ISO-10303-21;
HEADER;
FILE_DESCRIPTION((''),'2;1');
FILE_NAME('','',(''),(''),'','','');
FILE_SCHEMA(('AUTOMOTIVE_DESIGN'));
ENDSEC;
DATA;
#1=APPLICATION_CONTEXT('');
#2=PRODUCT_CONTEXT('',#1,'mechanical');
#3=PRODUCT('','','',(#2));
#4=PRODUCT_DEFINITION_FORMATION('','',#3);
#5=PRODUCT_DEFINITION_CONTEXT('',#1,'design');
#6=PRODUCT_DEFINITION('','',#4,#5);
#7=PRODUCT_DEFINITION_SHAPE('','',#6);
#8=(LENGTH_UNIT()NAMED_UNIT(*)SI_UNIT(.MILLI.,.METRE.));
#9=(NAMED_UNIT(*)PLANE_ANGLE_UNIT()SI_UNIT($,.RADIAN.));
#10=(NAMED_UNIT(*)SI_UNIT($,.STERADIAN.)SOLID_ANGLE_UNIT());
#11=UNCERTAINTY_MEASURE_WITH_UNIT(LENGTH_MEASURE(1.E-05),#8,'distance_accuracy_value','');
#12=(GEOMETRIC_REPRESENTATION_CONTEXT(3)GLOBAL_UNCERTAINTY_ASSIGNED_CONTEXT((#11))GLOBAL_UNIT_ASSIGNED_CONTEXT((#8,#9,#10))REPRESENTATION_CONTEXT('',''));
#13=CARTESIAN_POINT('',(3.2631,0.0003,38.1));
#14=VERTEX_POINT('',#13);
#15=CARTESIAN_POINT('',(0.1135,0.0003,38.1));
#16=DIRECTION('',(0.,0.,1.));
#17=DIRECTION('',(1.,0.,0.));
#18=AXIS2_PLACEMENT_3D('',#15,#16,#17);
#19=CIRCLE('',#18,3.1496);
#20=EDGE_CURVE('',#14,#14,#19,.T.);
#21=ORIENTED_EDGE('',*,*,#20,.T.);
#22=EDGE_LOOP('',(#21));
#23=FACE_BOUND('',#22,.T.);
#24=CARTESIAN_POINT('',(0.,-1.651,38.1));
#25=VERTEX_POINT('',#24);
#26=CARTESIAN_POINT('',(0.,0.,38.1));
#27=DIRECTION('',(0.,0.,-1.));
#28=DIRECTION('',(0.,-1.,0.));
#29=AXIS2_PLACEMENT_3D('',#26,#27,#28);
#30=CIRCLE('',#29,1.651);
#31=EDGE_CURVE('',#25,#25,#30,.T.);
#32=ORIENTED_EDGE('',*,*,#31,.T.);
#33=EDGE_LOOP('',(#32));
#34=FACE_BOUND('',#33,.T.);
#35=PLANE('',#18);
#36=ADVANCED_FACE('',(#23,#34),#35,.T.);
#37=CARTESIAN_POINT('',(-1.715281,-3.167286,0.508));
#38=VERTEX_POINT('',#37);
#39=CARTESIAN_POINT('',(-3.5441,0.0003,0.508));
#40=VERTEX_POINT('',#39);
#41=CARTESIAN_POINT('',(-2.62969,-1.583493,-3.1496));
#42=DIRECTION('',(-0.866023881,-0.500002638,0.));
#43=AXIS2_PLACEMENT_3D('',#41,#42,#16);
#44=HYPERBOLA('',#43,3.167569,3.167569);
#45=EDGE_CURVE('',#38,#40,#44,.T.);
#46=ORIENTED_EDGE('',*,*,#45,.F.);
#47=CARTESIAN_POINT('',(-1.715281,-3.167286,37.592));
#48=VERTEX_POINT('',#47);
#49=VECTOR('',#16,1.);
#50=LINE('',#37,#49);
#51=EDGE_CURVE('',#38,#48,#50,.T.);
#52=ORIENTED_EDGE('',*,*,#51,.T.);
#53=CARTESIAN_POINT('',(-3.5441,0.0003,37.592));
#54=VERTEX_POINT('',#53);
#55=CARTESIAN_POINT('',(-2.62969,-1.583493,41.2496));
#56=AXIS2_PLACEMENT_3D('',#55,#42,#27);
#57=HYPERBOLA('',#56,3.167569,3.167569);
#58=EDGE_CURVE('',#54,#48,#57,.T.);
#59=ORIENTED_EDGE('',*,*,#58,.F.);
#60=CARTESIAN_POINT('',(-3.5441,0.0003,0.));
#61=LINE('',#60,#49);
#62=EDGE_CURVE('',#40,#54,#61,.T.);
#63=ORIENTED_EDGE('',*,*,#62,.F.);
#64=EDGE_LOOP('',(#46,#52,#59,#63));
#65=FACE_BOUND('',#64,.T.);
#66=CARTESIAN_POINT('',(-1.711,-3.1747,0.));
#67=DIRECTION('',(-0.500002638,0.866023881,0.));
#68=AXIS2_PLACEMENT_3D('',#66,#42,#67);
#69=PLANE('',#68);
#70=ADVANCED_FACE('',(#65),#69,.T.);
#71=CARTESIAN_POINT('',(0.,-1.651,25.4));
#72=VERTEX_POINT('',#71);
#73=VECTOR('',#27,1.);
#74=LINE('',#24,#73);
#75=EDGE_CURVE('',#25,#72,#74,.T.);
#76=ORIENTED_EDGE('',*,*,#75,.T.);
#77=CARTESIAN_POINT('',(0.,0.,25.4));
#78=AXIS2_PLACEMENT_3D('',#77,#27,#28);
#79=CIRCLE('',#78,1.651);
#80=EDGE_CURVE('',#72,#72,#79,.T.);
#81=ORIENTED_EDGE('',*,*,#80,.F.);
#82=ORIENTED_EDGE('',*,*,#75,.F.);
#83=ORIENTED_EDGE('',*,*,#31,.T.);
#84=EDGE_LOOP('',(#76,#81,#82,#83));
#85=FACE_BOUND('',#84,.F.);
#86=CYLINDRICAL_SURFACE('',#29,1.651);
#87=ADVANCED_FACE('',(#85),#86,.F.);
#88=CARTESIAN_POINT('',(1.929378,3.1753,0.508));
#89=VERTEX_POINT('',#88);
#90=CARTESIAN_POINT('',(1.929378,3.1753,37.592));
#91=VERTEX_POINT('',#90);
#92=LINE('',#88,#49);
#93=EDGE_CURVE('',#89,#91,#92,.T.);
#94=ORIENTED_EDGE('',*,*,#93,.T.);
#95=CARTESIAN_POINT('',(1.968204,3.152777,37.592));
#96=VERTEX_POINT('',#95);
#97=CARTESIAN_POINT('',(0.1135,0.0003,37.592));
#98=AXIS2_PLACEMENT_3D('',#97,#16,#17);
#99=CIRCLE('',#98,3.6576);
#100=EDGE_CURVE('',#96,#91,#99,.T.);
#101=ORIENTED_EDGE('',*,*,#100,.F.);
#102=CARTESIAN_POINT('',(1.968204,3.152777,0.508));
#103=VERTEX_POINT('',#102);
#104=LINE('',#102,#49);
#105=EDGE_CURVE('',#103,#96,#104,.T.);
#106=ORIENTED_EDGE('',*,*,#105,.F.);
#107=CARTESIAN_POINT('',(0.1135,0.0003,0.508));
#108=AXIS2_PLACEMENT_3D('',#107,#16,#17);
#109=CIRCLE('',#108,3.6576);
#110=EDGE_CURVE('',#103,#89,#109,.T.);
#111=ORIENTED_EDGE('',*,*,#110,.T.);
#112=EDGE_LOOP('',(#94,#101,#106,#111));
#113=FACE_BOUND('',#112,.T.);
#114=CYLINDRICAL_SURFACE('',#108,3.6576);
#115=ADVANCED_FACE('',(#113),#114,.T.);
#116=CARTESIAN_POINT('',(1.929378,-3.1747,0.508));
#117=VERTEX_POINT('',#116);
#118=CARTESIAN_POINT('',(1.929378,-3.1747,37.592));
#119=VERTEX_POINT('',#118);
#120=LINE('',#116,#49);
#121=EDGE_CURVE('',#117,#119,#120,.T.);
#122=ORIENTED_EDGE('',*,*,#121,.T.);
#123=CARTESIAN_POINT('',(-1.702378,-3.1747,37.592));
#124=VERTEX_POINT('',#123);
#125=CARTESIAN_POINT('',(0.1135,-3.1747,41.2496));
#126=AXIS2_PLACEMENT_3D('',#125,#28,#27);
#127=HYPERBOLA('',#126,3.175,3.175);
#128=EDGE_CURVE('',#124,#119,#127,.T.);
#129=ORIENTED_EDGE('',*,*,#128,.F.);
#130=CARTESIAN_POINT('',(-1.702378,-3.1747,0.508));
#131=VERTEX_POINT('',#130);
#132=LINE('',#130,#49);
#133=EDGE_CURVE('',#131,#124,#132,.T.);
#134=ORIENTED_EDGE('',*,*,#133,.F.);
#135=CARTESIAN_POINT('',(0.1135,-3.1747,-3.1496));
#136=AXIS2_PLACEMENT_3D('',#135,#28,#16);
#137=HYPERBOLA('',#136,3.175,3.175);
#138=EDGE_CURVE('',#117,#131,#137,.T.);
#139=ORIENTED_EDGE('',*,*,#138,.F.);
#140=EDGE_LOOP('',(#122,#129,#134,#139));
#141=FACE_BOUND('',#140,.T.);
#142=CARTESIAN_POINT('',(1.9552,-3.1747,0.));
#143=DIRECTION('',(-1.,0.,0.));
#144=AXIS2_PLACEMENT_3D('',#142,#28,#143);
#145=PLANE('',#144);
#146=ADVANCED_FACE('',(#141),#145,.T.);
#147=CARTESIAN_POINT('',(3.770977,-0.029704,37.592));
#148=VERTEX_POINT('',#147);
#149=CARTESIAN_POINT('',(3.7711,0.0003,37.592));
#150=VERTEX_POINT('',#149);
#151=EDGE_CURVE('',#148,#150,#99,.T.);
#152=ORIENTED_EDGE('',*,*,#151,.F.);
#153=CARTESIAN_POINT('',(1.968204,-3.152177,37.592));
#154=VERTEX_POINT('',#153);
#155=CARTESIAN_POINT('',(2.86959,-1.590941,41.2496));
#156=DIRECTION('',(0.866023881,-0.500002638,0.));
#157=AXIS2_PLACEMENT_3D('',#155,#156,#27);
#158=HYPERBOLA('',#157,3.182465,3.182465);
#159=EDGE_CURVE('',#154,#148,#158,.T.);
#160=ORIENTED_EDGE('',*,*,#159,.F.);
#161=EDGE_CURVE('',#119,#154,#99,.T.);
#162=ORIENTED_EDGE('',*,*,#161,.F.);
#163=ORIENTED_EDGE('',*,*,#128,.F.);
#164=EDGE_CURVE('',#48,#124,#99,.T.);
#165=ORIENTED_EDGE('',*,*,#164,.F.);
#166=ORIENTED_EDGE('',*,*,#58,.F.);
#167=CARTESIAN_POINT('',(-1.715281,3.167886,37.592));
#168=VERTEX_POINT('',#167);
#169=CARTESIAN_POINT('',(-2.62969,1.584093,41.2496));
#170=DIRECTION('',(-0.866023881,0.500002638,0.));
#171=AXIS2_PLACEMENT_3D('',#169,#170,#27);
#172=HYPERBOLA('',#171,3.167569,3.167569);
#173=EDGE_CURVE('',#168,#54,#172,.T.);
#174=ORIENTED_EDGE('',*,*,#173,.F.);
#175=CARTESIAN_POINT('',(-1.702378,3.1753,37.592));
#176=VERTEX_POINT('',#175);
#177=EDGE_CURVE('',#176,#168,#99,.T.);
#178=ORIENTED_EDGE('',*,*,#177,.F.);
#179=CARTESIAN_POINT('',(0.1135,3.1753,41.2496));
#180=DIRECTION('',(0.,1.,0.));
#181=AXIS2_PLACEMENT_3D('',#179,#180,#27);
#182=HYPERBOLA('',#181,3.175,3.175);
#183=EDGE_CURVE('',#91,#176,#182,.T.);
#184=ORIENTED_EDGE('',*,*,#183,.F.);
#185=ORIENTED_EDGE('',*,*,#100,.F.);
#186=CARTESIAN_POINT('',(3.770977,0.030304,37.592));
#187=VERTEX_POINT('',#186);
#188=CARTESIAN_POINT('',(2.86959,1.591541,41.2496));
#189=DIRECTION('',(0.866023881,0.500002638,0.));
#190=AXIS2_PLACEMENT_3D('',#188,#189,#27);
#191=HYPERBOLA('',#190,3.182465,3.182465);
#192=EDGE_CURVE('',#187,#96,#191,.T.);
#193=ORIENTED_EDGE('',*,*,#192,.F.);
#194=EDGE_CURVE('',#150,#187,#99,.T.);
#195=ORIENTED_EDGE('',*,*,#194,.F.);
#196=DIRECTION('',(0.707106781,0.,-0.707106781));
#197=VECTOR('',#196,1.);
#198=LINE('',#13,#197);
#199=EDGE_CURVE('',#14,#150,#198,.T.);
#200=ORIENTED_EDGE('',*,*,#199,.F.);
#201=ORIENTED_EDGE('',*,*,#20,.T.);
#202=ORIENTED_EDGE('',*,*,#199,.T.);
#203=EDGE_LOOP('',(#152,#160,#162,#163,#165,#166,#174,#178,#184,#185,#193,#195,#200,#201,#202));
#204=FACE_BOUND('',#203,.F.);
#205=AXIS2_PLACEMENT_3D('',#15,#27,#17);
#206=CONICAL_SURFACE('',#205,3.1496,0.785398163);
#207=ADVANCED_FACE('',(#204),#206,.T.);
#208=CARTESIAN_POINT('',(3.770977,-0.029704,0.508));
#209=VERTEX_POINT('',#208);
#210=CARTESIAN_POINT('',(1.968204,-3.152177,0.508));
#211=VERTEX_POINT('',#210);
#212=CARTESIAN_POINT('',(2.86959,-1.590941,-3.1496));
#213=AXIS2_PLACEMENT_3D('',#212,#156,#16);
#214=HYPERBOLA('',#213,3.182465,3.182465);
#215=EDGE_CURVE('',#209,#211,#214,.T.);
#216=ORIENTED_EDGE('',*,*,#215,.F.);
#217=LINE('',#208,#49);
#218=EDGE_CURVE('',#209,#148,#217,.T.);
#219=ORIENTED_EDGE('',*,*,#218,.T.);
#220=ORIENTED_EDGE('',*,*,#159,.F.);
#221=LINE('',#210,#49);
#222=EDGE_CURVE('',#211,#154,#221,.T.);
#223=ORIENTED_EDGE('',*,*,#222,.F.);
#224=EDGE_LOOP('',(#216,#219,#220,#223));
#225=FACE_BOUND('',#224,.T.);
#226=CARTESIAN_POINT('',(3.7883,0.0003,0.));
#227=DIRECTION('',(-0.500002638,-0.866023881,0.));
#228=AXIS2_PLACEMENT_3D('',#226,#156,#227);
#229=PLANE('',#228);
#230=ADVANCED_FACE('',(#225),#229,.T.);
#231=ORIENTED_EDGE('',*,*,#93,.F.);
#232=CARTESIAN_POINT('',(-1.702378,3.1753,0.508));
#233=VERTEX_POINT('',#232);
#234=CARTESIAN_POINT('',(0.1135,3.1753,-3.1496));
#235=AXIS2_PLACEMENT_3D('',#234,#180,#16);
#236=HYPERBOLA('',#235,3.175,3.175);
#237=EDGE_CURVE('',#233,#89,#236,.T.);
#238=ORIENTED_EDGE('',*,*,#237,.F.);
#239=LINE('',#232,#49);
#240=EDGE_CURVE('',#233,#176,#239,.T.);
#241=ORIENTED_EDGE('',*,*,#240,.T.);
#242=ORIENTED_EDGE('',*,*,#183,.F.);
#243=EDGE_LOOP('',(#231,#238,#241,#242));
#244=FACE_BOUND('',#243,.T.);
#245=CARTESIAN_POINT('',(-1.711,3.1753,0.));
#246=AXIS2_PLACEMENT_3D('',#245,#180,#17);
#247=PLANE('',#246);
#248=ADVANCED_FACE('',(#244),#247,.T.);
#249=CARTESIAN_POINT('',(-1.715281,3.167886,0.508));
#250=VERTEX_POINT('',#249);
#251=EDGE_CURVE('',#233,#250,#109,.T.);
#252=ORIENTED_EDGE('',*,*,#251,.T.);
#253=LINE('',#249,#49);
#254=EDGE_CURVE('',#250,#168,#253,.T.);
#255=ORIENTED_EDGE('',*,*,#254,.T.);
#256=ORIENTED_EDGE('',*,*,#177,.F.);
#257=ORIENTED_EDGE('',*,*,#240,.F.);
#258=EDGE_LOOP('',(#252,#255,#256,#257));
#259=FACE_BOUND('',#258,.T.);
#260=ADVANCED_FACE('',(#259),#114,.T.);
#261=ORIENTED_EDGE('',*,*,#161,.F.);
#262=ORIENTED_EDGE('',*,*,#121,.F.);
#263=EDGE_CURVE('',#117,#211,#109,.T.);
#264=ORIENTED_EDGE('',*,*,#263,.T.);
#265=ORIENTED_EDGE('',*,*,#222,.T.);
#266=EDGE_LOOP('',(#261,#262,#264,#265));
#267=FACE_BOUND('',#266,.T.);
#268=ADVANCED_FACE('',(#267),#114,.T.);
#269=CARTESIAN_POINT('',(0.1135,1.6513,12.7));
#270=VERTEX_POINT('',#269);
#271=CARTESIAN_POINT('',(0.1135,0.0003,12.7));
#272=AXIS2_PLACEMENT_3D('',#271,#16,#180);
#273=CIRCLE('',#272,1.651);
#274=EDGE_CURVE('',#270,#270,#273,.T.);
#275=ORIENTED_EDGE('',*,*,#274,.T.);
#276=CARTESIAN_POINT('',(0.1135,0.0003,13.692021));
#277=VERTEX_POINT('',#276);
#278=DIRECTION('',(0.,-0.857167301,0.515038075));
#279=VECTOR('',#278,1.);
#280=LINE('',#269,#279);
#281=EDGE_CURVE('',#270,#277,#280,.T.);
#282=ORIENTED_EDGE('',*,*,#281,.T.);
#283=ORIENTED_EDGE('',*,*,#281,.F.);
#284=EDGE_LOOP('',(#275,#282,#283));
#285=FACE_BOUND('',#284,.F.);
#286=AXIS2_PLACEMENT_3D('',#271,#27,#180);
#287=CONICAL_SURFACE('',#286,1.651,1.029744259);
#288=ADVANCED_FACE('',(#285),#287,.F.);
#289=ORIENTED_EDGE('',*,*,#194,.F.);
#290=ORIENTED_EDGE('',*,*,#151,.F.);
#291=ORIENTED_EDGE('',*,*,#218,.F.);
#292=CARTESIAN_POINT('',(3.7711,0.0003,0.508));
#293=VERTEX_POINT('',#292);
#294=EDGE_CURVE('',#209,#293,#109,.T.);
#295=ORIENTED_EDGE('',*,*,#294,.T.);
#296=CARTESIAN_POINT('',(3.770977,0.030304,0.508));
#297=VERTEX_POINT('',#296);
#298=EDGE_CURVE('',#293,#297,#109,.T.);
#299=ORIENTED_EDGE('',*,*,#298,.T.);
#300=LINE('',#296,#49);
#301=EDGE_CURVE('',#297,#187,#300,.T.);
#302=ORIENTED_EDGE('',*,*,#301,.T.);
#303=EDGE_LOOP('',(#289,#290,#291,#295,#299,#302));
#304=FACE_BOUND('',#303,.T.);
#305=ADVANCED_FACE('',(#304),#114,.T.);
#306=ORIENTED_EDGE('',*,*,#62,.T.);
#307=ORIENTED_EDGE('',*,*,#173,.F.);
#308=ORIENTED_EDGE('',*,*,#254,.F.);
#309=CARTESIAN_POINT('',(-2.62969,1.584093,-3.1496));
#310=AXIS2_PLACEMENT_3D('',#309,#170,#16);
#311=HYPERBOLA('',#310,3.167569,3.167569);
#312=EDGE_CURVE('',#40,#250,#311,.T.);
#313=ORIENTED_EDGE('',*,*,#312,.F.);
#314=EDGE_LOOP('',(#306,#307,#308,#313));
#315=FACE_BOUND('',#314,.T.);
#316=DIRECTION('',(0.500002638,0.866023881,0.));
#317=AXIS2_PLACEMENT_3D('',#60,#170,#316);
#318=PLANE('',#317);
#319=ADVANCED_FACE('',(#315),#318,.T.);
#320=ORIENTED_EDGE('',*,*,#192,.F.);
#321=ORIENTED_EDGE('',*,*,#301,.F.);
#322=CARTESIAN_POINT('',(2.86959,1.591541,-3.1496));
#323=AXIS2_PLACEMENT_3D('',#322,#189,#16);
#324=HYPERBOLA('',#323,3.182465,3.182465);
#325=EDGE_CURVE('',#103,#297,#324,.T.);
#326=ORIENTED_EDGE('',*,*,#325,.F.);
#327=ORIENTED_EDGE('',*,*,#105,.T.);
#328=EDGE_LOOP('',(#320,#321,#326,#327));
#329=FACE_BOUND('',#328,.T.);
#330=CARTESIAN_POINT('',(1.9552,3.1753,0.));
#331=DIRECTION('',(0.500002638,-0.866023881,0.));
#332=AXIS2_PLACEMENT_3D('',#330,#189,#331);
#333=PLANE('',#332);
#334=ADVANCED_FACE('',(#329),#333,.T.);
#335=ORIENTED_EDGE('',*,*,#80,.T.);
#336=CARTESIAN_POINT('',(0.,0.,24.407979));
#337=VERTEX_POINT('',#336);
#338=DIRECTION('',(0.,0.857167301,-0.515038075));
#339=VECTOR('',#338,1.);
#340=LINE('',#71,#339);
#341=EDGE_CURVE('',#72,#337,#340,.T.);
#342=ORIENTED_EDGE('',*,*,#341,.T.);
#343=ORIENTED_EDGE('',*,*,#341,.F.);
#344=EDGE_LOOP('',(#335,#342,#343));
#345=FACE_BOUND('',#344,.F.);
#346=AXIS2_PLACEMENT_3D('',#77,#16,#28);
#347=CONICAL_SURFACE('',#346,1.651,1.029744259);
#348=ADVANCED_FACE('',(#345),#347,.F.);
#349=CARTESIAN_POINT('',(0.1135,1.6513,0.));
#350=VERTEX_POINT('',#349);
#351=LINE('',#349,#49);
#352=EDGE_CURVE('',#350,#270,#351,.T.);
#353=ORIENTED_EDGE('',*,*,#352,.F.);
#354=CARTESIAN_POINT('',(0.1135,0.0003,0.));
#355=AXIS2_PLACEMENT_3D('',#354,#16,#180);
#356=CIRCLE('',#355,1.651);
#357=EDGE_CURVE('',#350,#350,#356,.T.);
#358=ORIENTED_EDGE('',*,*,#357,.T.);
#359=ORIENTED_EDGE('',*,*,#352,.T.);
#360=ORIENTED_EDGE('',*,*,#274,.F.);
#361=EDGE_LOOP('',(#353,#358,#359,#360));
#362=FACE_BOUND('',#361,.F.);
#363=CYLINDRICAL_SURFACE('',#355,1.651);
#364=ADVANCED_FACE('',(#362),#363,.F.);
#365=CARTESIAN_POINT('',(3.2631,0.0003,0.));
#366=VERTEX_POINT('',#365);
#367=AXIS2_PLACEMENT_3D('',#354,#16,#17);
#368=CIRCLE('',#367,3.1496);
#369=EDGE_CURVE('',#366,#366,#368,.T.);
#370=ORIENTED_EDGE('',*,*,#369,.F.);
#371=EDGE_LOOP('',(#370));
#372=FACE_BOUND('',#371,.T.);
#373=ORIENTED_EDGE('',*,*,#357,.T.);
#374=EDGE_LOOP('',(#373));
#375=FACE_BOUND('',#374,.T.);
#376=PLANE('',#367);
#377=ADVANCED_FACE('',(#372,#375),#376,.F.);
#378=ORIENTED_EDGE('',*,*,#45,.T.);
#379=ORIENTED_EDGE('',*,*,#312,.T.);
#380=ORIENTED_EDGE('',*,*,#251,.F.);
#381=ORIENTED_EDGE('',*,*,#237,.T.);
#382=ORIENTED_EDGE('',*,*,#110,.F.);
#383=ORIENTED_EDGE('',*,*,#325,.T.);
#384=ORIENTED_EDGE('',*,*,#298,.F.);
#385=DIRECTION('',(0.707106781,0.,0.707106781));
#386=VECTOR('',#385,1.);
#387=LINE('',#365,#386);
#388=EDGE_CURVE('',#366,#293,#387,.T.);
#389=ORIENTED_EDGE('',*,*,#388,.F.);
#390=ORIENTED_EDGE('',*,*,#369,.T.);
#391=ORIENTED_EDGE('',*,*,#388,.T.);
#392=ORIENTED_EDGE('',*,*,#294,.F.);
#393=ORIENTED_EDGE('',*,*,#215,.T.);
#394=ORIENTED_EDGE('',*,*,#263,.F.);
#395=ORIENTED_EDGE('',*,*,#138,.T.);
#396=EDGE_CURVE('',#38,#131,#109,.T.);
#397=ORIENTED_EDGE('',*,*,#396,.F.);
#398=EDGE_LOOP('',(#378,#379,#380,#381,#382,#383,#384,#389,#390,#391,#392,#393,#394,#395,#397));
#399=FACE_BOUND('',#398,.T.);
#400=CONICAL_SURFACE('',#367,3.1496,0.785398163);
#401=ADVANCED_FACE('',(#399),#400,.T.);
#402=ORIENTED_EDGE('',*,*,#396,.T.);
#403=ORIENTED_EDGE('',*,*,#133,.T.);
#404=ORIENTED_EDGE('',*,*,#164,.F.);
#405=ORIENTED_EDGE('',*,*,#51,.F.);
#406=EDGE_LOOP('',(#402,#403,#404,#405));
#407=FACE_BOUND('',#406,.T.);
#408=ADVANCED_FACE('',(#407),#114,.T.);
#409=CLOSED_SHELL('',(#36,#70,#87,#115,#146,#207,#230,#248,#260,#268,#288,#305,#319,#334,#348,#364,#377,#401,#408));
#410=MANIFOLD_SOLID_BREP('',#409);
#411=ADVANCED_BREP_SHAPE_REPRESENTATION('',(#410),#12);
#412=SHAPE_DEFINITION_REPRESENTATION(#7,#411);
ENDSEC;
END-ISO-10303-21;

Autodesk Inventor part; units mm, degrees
ref_plane "YZ Plane" through (0, 0, 0) normal (1, 0, 0) x (0, 1, 0)
sketch "Sketch1" plane through (0, 0, 0) normal (0, 0, 1) x (1, 0, 0)
  line L0 (1.9552, -3.1747) -> (-1.711, -3.1747)
  line L1 (-1.711, -3.1747) -> (-3.5441, 0.0003)
  line L2 (-3.5441, 0.0003) -> (-1.711, 3.1753)
  line L3 (-1.711, 3.1753) -> (1.9552, 3.1753)
  line L4 (1.9552, 3.1753) -> (3.7883, 0.0003)
  line L5 (3.7883, 0.0003) -> (1.9552, -3.1747)
  point P0 (0.1221, 0.0003)
  dimension "d0" = 6.35
extrude "Extrusion1" add sketch "Sketch1" along normal blind 38.1
ref_plane "Work Plane1" through (-1.711, 0.0003, 0) normal (0, 1, 0) x (1, 0, 0)
sketch "Sketch3" plane through (-1.711, 0.0003, 0) normal (0, 1, 0) x (1, 0, 0)
  line L0 (-1.3251, 0) -> (4.9741, 0)
  line L1 (5.4821, -0.508) -> (5.4821, -37.592)
  line L2 (-1.8331, -37.592) -> (-1.8331, -0.508)
  line L3 (-1.8331, -0.508) -> (-1.3251, 0)
  line L4 (4.9741, 0) -> (5.4821, -0.508)
  line L5 (-1.8331, 0) -> (-1.8331, -38.1) projected
  line L6 (3.6662, 0) -> (5.4993, 0) projected
  line L7 (1.8245, 0) -> (1.8245, -38.1)
  line L8 (0, -38.1) -> (-1.8331, -38.1) projected
  line L9 (5.4993, -38.1) -> (3.6662, -38.1) projected
  line L10 (3.6662, -38.1) -> (0, -38.1) projected
  line L11 (-1.3251, -38.1) -> (-1.8331, -37.592)
  line L12 (4.9741, -38.1) -> (5.4821, -37.592)
  point P0 (-1.8331, 0)
  point P1 (5.4821, 0)
  point P2 (5.4821, -38.1)
  dimension "d5" = 0.508
  dimension "d6" = 0.508
  dimension "d7" = 0.508
  dimension "d8" = 0.508
  dimension "d16" = 0
  dimension "d46" = 0.508
  dimension "d47" = 0.508
  dimension "d48" = 0.508
  dimension "d49" = 0.508
revolve "Revolution1" cut sketch "Sketch3" angle 360 about axis through (0.1135, 0.0003, 0) along (0, 0, 1) keep common part contours L0 L4 L1 L12 L9 L10 L7
sketch "Sketch6" plane through (0.1135, 0.0003, 0) normal (0, 0, -1) x (-1, 0, 0)
  circle A0 centre (0, 0) radius 3.1496 projected
hole "Hole3" at (0.1135, 0.0003, 0) direction (0, 0, 1) diameter 3.302 depth 12.7 tip angle 118 thread size "8-32 UNC" class "2B" standard "ANSI Unified Screw Threads"
sketch "Sketch7" plane through (0, 0, 38.1) normal (0, 0, 1) x (1, 0, 0)
  point P0 (0, 0)
hole "Hole4" at (0, 0, 38.1) direction (0, 0, -1) diameter 3.302 depth 12.7 tip angle 118 thread size "8-32 UNC" class "2B" standard "ANSI Unified Screw Threads"
ref_plane "Work Plane2" through (0.1135, 0.0003, 19.05) normal (0, 0, -1) x (-1, 0, 0)
equation "\"d6\" = d5"
equation "\"d7\" = d5"
equation "\"d8\" = d7"
properties part number "1.5 inch Standoff" material "Steel"
